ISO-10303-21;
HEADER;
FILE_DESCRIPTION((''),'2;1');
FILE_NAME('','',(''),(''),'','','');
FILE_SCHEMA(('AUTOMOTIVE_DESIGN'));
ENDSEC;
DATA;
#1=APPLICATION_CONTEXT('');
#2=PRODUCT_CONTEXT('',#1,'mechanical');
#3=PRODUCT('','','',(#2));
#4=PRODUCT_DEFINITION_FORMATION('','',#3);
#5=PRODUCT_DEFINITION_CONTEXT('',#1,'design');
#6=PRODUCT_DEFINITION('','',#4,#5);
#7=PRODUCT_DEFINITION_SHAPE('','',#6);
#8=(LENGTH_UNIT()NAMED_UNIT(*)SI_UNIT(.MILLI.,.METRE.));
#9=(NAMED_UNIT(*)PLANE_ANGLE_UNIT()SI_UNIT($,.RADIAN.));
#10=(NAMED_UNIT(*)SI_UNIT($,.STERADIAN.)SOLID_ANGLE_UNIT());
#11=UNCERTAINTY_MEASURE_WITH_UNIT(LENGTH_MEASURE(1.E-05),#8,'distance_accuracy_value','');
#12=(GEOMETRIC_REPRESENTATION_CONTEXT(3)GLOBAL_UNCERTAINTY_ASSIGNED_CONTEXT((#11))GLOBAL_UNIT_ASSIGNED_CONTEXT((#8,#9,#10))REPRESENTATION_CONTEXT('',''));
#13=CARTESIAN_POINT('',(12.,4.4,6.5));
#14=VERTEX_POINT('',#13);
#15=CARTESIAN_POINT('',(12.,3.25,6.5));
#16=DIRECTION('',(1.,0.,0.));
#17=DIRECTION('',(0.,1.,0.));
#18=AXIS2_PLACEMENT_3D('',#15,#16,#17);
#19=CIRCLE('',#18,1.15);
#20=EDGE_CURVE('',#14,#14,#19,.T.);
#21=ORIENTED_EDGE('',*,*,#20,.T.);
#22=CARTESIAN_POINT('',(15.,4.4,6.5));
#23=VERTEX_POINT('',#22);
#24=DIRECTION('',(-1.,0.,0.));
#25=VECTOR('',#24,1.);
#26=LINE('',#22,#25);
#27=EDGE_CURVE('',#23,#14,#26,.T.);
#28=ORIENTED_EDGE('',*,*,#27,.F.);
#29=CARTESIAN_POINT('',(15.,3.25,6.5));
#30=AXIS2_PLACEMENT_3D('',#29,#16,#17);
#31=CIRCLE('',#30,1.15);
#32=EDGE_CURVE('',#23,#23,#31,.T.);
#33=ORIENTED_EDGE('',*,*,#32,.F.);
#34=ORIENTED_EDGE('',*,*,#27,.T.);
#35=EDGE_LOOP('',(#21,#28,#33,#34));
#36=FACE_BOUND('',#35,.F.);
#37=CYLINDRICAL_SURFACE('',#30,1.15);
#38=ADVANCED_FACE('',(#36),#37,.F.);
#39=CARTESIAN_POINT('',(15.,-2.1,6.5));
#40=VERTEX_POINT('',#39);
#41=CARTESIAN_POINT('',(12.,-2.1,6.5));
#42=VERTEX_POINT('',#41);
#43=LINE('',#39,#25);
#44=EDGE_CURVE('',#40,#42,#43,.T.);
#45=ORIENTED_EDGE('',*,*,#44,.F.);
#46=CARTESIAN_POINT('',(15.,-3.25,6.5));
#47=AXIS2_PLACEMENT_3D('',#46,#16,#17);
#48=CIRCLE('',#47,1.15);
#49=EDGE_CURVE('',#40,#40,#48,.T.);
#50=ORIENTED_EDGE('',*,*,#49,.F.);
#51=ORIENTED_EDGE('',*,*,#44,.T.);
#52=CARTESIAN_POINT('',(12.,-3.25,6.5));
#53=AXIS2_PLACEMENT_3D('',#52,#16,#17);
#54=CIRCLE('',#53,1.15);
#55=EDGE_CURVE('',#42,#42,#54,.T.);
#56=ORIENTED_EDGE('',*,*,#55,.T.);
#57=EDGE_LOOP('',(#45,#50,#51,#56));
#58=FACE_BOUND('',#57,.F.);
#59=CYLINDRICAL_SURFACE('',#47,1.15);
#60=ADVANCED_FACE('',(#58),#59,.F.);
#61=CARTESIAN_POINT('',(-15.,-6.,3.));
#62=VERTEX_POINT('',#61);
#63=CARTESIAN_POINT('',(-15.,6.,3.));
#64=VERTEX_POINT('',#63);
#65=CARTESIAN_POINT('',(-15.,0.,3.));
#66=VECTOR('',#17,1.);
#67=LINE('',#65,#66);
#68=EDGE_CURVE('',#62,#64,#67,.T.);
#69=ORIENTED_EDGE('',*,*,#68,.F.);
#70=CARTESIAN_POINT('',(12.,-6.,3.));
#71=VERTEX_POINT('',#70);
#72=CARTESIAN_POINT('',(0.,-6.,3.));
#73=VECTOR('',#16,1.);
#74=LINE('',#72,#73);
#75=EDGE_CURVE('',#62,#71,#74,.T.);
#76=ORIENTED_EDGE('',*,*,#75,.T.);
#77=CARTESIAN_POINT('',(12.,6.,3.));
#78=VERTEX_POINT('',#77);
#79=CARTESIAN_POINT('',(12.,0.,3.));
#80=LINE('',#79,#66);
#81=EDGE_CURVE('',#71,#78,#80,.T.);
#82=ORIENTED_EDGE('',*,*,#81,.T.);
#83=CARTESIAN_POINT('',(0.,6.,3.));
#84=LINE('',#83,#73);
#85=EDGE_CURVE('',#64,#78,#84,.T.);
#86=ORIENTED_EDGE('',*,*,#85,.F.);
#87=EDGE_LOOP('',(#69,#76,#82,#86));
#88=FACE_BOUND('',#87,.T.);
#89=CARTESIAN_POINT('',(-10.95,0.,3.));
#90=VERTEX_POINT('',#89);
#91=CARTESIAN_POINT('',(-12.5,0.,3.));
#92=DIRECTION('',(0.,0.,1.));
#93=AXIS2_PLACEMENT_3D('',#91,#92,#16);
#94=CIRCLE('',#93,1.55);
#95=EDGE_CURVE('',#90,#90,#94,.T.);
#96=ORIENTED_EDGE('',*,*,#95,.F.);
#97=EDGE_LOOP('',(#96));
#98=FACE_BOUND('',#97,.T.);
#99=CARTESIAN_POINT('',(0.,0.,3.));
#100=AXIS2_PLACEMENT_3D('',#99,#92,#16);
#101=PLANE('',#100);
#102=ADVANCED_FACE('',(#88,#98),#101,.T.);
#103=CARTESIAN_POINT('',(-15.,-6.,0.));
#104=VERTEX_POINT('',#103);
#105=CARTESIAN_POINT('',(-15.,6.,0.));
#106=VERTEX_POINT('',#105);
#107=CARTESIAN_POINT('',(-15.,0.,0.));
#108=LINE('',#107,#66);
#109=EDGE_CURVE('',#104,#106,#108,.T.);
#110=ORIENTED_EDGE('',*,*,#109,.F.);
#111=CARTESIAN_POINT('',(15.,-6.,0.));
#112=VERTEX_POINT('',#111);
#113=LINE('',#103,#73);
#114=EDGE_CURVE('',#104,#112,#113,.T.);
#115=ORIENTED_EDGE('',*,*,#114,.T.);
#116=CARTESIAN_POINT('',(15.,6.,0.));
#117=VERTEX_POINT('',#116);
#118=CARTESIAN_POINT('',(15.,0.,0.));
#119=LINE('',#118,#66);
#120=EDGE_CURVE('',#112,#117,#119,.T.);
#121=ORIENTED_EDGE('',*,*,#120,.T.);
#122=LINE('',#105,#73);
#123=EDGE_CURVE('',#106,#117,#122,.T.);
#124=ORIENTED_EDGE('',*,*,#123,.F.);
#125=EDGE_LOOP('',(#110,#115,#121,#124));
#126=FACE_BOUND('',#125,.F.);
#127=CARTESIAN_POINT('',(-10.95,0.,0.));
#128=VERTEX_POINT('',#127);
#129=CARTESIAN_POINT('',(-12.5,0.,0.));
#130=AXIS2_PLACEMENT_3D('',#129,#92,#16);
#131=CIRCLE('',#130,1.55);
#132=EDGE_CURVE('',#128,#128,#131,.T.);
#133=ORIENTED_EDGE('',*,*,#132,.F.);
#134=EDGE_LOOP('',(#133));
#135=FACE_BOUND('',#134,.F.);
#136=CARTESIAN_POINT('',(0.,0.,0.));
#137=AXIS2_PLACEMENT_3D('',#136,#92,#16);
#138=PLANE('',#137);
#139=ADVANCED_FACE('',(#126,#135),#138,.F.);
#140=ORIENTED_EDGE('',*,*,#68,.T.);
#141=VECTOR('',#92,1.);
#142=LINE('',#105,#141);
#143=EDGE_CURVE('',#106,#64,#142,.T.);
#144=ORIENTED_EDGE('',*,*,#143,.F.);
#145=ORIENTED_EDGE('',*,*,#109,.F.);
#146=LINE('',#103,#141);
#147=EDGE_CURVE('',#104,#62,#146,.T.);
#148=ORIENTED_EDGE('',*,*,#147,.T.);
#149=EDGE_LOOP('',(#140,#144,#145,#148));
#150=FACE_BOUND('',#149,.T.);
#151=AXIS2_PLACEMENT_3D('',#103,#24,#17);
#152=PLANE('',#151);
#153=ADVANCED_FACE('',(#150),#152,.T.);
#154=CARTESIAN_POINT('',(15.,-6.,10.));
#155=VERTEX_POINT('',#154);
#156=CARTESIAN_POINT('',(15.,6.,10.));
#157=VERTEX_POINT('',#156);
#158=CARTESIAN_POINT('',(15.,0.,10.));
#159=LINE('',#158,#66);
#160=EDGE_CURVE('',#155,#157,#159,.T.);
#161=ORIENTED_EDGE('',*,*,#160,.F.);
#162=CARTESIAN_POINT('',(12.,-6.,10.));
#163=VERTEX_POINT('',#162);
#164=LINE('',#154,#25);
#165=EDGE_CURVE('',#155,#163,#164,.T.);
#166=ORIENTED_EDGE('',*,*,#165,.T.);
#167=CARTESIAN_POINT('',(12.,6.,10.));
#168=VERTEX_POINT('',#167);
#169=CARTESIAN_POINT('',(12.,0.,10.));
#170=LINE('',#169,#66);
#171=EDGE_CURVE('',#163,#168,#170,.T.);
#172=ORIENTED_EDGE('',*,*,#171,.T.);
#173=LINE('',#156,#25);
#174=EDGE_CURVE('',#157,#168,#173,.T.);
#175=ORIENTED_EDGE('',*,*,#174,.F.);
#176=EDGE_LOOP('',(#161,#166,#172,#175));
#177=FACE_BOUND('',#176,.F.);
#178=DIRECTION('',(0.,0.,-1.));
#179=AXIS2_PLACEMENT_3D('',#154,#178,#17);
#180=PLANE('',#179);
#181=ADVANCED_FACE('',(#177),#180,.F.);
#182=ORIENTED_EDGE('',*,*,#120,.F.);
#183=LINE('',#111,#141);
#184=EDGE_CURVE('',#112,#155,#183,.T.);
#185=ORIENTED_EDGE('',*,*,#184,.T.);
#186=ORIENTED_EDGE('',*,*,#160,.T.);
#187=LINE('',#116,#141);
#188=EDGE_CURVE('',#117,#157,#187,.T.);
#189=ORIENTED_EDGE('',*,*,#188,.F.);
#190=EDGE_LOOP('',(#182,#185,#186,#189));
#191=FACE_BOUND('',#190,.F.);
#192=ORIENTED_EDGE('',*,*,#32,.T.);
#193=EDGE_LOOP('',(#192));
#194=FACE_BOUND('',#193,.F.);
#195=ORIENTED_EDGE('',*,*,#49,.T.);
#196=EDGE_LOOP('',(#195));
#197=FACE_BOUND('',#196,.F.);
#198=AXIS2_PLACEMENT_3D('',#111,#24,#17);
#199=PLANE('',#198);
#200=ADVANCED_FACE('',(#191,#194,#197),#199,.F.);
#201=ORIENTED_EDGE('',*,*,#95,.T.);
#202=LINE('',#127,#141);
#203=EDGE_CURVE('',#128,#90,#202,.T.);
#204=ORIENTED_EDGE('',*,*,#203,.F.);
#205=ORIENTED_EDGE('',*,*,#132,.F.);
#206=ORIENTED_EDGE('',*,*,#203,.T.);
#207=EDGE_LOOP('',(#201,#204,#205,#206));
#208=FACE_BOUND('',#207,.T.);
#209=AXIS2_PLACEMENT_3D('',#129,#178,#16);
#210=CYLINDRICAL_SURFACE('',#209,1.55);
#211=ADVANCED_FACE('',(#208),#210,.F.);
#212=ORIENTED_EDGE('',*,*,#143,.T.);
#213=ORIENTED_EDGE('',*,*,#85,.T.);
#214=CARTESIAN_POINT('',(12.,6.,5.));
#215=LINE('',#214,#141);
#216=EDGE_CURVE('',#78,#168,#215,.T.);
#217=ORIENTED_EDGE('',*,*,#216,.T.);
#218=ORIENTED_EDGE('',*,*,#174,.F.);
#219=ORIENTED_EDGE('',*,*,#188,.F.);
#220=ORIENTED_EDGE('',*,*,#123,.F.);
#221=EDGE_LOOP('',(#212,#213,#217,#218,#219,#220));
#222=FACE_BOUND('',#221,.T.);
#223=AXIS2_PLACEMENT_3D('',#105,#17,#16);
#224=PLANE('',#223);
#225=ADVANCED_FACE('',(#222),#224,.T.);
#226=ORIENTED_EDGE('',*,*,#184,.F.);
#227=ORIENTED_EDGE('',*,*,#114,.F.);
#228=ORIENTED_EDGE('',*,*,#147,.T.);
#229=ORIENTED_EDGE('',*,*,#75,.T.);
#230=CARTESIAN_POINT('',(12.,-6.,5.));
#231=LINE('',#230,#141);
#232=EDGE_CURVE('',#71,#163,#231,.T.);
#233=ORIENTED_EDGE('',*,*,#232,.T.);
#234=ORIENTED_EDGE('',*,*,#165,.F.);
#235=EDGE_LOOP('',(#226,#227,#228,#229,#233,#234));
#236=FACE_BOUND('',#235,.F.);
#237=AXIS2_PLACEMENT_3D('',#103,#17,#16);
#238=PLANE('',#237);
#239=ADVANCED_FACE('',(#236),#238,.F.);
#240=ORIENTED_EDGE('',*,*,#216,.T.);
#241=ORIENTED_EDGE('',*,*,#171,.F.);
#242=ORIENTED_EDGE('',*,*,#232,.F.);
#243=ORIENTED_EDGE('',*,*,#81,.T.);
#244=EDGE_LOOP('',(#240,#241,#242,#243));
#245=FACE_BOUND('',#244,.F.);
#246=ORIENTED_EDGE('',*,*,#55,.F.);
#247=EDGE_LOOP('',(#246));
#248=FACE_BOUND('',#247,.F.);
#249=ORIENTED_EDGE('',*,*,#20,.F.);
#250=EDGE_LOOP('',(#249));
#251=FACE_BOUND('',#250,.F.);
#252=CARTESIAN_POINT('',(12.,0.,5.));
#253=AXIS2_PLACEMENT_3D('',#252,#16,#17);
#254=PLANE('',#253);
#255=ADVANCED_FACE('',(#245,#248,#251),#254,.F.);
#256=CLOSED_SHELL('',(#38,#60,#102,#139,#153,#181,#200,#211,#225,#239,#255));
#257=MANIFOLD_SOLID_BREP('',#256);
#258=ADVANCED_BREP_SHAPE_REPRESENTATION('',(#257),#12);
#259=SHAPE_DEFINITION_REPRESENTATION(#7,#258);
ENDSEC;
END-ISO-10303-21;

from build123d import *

# Parameters (mm, degrees)
F0_W     = 30
F0_H     = 12
F0_R     = 1.55
F1_DEPTH = 3
F2_W     = 12
F2_H     = 10
F2_R     = 1.15
F3_DEPTH = 3


with BuildPart() as f1:
    # F0 (on Top) → F1 (new body)
    with BuildSketch(Plane.XY):
        Rectangle(F0_W, F0_H)
        with Locations((-12.5, 0)):
            Circle(F0_R, mode=Mode.SUBTRACT)
    extrude(amount=F1_DEPTH)

    # F2 (on face) → F3 (join)
    with BuildSketch(Plane.YZ.offset(15)):
        with Locations((0, 5)):
            Rectangle(F2_W, F2_H)
        with Locations((-3.25, 6.5)):
            Circle(F2_R, mode=Mode.SUBTRACT)
        with Locations((3.25, 6.5)):
            Circle(F2_R, mode=Mode.SUBTRACT)
    extrude(amount=-F3_DEPTH)


solid = f1.part
